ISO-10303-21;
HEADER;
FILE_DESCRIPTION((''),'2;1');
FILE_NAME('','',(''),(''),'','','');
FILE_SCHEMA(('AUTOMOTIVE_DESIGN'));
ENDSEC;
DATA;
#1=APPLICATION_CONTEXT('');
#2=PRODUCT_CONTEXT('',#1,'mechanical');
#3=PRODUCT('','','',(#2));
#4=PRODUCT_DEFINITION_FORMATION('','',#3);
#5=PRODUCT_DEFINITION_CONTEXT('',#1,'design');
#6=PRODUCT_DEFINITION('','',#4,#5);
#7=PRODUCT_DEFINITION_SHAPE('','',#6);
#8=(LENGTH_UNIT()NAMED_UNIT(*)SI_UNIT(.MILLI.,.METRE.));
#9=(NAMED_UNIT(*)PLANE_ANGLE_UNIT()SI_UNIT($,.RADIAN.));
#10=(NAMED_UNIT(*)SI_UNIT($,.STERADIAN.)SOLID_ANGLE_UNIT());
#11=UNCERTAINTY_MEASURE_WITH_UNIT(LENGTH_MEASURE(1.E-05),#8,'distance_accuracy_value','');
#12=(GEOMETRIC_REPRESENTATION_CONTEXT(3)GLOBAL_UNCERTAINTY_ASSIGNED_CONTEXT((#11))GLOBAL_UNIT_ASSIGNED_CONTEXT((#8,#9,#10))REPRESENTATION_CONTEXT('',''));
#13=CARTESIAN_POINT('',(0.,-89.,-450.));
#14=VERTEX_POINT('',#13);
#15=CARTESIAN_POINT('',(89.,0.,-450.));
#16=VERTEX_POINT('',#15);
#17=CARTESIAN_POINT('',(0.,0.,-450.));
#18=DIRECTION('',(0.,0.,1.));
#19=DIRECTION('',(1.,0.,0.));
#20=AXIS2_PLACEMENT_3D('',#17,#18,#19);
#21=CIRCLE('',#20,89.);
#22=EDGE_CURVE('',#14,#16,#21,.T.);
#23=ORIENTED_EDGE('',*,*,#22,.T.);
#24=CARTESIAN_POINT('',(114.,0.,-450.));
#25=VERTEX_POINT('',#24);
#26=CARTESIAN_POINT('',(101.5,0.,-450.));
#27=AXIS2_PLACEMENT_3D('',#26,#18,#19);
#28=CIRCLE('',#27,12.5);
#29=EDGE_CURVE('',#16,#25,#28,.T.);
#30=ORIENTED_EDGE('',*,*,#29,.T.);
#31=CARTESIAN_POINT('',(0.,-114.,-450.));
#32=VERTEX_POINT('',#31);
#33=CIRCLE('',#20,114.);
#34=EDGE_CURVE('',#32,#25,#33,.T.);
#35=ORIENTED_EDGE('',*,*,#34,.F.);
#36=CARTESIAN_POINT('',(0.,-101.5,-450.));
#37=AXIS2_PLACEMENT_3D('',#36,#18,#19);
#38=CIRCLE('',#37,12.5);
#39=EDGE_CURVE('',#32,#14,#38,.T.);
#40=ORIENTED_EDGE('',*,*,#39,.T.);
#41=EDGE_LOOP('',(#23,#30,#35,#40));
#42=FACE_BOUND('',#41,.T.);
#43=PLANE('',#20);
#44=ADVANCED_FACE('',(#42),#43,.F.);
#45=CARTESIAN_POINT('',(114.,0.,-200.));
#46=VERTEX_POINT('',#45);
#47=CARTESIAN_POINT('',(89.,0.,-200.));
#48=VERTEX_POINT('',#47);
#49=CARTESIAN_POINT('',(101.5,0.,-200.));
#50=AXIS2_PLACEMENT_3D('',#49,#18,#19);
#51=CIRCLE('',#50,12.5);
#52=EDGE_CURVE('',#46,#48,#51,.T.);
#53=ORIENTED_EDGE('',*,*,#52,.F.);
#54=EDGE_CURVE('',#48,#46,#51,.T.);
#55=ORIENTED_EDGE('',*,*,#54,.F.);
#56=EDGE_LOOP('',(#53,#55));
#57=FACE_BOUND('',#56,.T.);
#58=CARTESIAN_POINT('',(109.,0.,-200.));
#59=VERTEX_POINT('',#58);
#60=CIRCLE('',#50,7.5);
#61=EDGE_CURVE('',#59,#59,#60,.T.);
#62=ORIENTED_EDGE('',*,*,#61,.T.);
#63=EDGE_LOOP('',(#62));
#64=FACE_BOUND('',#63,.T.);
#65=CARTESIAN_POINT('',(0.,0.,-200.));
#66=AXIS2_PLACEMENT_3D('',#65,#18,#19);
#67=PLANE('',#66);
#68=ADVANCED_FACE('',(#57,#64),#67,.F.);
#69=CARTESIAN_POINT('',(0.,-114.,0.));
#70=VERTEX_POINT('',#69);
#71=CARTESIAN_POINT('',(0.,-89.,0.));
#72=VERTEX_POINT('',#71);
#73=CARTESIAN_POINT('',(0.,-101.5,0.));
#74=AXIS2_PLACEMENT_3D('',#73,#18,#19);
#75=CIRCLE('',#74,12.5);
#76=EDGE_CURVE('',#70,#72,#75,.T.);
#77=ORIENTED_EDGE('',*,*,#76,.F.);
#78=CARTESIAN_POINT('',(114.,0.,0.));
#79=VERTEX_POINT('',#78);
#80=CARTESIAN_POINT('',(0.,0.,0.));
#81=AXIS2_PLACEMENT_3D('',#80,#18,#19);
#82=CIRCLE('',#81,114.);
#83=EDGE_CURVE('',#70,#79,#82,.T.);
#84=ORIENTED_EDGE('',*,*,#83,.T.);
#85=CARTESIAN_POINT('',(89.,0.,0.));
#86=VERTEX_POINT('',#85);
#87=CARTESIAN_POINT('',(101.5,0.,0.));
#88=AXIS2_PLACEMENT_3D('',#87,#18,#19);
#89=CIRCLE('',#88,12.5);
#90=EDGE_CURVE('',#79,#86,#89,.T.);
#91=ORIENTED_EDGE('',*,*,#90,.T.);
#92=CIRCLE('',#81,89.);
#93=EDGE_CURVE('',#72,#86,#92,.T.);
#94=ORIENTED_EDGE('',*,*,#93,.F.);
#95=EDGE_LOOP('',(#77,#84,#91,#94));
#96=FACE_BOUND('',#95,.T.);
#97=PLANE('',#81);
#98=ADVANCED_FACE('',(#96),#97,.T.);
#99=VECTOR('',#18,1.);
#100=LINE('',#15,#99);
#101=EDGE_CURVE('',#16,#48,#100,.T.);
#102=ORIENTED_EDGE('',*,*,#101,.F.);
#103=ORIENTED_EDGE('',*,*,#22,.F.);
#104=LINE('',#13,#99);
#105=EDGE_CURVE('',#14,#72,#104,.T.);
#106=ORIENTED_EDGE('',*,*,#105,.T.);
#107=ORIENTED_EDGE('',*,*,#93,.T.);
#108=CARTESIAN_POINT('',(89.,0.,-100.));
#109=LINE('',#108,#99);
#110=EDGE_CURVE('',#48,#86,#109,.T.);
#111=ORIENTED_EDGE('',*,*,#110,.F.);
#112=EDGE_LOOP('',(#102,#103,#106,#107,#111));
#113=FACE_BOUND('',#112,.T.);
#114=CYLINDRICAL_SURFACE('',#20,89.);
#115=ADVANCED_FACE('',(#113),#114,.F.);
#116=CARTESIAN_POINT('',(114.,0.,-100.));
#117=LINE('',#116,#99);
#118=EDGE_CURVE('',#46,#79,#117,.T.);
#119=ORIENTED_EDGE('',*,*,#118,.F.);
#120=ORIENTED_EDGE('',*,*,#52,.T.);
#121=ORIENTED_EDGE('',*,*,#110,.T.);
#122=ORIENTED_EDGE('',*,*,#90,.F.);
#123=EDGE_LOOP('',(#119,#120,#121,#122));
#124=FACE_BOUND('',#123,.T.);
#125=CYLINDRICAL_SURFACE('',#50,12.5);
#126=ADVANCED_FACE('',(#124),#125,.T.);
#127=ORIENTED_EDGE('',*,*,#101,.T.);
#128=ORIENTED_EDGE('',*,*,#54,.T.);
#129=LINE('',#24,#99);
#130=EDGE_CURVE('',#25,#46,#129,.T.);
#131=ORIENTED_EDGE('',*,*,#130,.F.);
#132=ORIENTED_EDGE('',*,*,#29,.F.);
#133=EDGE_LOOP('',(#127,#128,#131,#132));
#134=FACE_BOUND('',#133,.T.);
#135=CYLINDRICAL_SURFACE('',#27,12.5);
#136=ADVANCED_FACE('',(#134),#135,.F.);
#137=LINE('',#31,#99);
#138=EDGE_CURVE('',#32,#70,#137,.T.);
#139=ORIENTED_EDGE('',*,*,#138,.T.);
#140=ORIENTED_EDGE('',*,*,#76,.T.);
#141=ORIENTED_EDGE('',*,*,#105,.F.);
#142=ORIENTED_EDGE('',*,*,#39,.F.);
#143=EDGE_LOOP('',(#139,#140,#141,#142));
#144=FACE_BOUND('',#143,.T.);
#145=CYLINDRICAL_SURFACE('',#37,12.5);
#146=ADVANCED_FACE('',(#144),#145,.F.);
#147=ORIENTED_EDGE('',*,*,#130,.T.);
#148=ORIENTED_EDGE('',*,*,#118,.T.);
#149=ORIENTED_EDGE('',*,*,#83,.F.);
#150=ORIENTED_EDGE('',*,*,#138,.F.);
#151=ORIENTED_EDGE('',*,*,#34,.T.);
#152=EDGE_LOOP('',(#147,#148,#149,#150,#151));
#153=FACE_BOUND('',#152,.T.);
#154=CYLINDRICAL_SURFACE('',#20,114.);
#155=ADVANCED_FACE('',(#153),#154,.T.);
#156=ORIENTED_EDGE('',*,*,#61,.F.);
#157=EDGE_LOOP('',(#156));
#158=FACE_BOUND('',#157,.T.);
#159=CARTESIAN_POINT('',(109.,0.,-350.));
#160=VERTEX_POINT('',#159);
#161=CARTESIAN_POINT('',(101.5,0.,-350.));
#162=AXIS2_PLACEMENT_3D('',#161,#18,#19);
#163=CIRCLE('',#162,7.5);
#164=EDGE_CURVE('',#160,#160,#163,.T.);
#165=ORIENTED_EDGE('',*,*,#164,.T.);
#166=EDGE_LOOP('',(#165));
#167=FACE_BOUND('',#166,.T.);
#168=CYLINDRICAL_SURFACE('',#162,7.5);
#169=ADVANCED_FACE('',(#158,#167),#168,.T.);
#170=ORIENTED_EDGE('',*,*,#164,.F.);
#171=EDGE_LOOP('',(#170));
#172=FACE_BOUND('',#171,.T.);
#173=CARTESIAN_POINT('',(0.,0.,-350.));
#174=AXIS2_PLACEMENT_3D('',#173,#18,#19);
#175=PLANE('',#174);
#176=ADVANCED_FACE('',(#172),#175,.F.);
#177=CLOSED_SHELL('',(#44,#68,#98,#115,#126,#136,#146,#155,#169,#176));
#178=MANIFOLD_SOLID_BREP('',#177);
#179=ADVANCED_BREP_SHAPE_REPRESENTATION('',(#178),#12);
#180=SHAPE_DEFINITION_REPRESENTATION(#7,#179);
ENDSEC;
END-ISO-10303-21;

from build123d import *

# Parameters (mm, degrees)
BOSS_EXTRU_1_DEPTH = 450
ESQUISSE1_3_R      = 7.5
BOSS_EXTRU_2_DEPTH = 350
ESQUISSE1_4_R      = 7.5
BOSS_EXTRU_3_DEPTH = 200


with BuildPart() as part:
    # Esquisse1 → Boss.-Extru.1 (new body)
    with BuildSketch(Plane.XY):
        with BuildLine():
            ThreePointArc((114, 0), (101.5, -12.5), (89, 0))
            ThreePointArc((89, 0), (62.932503523, -62.932503528), (-6e-09, -89))
            ThreePointArc((-6e-09, -89), (8.838834763, -92.661165233), (12.5, -101.5))
            ThreePointArc((12.5, -101.5), (8.838834791, -110.338834739), (7.4e-08, -114))
            ThreePointArc((7.4e-08, -114), (80.610173081, -80.610173029), (114, 0))
        make_face()
    extrude(amount=-BOSS_EXTRU_1_DEPTH)



with BuildPart() as body_2:
    # Esquisse1<3> → Boss.-Extru.2 (new body)
    with BuildSketch(Plane.XY):
        with Locations((101.5, 0)):
            Circle(ESQUISSE1_3_R)
    extrude(amount=-BOSS_EXTRU_2_DEPTH)


with BuildPart() as part_1:
    add(part.part)

    add(body_2.part)  # Boss.-Extru.3 merges body 2
    # Esquisse1<4> → Boss.-Extru.3 (add)
    with BuildSketch(Plane.XY):
        with BuildLine():
            ThreePointArc((114, 0), (101.5, 12.5), (89, 0))
            ThreePointArc((89, 0), (101.5, -12.5), (114, 0))
        make_face()
        with Locations((101.5, 0)):
            Circle(ESQUISSE1_4_R, mode=Mode.SUBTRACT)
    extrude(amount=-BOSS_EXTRU_3_DEPTH)


solid = part_1.part
